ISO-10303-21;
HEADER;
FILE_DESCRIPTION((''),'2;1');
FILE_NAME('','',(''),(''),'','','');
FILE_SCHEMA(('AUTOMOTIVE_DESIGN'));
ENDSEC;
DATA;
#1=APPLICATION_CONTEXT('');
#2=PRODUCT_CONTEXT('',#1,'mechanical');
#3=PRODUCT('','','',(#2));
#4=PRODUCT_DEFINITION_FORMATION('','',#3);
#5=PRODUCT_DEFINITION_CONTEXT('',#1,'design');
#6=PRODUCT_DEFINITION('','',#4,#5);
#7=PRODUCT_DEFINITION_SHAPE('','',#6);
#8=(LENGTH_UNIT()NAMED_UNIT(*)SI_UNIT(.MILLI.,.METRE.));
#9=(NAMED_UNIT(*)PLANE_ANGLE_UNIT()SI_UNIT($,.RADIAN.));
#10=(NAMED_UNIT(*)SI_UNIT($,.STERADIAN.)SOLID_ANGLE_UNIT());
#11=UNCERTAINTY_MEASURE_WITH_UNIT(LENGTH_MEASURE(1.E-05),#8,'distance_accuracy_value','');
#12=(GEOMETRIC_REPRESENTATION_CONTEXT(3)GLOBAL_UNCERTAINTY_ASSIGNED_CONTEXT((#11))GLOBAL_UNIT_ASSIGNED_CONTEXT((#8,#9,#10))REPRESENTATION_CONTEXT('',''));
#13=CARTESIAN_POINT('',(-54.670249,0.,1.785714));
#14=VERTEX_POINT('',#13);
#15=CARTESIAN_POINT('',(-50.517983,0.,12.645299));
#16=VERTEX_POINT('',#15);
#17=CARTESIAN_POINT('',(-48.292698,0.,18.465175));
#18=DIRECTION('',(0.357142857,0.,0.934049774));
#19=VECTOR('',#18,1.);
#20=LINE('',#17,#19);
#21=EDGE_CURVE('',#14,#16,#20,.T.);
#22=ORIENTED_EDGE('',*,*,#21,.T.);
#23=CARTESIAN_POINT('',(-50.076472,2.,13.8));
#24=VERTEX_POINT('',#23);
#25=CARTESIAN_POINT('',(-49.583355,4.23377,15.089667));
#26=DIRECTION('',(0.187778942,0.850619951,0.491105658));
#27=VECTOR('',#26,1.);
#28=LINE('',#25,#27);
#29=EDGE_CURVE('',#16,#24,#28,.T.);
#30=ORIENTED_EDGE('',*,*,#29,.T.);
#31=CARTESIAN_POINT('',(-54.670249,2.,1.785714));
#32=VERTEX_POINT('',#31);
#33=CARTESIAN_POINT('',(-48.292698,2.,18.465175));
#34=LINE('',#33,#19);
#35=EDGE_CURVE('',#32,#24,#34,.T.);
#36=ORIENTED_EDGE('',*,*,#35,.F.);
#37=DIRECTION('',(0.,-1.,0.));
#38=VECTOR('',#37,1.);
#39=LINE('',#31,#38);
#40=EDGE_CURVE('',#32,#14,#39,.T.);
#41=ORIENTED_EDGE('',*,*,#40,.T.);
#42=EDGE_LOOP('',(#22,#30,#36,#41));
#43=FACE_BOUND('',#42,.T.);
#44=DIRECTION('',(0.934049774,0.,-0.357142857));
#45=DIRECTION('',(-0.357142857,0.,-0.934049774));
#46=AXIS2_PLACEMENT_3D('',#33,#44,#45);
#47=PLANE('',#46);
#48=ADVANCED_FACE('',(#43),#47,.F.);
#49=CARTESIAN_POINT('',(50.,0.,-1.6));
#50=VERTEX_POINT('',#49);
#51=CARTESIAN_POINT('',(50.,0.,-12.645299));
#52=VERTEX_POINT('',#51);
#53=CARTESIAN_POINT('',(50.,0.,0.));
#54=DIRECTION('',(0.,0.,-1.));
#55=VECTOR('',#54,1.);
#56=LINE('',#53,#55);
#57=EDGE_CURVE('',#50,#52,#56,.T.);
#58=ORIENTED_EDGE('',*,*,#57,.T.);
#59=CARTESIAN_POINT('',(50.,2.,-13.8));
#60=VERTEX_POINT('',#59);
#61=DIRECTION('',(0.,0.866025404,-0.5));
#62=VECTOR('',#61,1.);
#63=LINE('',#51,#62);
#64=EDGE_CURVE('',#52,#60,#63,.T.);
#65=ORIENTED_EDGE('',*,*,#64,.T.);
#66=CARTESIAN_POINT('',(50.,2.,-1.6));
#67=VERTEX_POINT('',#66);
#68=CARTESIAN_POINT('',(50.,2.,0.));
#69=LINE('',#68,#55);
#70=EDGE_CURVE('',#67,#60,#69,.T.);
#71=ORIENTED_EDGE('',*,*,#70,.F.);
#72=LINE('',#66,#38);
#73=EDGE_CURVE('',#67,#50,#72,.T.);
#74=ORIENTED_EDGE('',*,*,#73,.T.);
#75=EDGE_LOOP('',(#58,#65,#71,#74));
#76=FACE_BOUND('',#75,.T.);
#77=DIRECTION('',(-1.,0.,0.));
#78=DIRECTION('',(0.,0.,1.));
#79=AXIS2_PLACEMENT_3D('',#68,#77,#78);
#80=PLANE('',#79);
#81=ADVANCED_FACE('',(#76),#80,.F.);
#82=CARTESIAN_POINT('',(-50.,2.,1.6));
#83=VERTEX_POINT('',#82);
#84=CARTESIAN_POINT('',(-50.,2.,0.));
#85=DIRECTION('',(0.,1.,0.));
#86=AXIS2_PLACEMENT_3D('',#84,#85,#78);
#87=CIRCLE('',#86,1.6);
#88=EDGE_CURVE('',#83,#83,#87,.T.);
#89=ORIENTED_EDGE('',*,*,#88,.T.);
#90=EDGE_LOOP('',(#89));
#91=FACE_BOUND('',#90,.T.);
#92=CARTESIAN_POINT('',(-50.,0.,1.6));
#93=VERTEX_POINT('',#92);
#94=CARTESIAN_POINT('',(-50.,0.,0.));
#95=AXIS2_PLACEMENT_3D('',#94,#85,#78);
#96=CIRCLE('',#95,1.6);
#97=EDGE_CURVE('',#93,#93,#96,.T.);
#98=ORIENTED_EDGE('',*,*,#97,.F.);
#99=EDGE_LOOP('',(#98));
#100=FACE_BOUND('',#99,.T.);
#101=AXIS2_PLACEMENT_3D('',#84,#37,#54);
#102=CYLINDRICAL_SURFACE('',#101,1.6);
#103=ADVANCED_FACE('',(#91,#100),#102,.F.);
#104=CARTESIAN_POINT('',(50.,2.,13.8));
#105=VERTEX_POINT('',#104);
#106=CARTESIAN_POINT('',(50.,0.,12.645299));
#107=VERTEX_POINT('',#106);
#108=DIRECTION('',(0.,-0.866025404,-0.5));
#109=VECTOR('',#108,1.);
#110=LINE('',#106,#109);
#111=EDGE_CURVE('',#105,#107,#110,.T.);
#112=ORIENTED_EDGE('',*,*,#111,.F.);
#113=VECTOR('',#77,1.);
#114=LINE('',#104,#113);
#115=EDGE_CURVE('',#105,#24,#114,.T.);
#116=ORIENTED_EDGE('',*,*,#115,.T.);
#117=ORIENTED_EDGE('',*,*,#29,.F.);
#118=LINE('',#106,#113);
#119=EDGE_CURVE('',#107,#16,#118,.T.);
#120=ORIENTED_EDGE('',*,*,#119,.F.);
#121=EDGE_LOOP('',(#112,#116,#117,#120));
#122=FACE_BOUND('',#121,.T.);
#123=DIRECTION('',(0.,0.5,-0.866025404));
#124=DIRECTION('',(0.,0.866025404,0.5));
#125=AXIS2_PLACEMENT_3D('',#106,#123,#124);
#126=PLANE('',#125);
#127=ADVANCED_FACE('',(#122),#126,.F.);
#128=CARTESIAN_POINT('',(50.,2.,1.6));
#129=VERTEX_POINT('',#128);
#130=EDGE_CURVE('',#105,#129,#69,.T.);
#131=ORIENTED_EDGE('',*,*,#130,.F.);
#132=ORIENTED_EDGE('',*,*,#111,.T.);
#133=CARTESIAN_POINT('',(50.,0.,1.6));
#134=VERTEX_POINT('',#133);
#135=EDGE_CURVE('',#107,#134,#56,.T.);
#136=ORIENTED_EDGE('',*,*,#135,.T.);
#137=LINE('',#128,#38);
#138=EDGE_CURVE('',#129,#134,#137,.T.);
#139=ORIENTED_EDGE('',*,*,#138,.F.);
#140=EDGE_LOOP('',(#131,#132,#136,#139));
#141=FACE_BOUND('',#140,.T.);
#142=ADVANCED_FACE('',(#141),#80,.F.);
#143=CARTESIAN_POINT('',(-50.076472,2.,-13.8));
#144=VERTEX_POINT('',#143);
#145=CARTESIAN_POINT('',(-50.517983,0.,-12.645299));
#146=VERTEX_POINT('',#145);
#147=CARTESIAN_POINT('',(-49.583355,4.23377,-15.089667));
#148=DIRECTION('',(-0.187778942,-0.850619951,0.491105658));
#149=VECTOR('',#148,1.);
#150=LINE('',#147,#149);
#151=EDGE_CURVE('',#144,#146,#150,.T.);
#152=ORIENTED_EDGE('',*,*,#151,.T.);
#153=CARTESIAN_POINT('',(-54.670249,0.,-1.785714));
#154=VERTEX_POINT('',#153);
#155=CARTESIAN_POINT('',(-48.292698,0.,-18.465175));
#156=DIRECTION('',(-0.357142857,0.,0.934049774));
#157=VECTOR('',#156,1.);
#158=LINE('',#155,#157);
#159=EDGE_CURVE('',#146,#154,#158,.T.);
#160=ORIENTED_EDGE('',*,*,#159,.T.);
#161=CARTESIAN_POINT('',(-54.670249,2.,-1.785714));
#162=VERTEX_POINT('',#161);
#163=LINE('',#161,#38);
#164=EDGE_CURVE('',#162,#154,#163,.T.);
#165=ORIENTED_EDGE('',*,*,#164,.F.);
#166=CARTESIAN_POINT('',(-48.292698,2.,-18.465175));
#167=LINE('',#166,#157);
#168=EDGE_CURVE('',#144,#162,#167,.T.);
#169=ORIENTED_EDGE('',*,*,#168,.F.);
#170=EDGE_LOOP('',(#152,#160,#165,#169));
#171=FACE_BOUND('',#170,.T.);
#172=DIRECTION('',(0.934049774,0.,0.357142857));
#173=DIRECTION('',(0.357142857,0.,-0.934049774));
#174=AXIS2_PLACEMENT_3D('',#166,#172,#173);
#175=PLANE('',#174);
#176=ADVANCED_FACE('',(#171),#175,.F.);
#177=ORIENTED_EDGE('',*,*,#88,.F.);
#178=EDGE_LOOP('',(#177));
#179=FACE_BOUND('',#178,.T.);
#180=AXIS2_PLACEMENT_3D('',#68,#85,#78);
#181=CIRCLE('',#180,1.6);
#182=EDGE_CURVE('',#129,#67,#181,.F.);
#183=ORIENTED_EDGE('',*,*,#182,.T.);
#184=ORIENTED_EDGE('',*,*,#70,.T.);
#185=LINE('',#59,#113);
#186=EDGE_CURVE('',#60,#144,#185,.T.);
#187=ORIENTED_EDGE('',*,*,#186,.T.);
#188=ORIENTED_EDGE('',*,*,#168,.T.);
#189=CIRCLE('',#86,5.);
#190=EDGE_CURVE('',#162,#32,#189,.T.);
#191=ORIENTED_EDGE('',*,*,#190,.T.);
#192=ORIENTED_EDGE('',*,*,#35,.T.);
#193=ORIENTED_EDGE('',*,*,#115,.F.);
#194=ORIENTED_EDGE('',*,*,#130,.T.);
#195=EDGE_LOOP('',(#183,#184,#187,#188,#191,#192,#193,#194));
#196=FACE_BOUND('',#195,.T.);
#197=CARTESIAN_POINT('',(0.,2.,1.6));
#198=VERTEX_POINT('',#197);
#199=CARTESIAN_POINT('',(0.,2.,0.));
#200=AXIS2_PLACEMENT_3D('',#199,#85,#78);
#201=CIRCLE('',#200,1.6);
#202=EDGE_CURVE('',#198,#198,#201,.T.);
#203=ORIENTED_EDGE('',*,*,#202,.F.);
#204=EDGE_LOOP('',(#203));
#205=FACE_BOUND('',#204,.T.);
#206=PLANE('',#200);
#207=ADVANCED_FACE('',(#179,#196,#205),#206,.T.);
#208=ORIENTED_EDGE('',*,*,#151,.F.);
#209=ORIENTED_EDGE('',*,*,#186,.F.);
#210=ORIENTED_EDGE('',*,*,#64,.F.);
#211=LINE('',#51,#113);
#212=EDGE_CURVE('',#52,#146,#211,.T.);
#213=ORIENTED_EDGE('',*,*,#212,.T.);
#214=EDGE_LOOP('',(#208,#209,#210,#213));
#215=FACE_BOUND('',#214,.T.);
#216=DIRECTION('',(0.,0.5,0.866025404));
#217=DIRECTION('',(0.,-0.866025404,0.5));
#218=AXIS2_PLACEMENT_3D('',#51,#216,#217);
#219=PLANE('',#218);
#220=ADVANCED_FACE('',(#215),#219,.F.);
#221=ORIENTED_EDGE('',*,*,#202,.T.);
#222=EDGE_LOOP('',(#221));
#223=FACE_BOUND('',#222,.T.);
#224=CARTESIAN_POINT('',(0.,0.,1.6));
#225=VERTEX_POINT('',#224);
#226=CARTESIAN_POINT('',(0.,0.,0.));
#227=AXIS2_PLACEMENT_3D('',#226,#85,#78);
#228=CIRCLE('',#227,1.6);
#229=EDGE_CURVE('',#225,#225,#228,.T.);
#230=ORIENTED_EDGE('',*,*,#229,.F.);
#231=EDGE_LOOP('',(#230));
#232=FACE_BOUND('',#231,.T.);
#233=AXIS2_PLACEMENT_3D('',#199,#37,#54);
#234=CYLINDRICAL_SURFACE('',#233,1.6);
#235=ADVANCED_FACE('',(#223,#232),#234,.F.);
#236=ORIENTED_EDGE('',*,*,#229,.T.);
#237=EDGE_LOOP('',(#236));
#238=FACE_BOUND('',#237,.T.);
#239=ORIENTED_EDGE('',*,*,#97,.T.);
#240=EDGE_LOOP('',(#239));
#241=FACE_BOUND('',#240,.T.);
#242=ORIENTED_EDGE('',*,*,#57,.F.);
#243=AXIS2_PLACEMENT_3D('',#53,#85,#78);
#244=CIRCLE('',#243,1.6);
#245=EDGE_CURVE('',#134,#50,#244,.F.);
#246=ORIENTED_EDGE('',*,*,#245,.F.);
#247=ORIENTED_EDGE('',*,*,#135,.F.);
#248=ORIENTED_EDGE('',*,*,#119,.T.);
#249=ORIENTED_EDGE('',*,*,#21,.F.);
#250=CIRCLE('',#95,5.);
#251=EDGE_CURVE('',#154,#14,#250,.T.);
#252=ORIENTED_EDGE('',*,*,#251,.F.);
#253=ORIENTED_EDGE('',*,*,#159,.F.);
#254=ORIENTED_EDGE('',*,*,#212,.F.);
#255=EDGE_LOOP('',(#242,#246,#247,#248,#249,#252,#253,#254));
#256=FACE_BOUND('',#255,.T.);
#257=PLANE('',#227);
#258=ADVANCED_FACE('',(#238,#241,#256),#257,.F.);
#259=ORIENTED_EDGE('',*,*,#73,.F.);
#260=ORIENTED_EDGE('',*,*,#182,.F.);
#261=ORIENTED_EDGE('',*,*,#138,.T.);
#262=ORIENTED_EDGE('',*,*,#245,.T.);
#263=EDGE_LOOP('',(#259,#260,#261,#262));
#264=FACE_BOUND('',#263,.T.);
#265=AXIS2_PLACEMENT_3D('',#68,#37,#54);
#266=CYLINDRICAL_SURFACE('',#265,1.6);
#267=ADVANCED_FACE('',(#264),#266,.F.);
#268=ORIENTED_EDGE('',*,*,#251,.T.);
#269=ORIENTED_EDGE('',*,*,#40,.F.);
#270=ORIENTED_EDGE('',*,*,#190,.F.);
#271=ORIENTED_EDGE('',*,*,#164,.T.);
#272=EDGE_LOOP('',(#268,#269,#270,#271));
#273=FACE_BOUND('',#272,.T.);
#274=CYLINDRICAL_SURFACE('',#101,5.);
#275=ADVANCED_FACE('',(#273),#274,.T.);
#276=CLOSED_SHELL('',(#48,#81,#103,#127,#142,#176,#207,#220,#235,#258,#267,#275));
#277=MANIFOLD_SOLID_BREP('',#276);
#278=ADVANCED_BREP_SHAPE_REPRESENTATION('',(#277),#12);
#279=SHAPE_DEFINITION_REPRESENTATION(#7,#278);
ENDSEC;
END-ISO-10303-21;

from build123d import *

# Parameters (mm, degrees)
SKETCH_1_R          = 1.6
EXTRUDE_1_DEPTH     = 2
CUT_EXTRUDE_1_DEPTH = 106.948100502


with BuildPart() as part:
    # Эскиз1 → Бобышка-Вытянуть1 (new body)
    with BuildSketch(Plane(origin=(0, 0, 0), x_dir=(1, 0, 0), z_dir=(0, 1, 0))):
        with BuildLine():
            Line((50, -14), (50, -1.6))
            ThreePointArc((50, -1.6), (48.4, 0), (50, 1.6))
            Line((50, 1.6), (50, 14))
            Line((50, 14), (-50, 14))
            Line((-50, 14), (-54.670248868, 1.785714286))
            ThreePointArc((-54.670248868, 1.785714286), (-55, 0), (-54.670248868, -1.785714286))
            Line((-54.670248868, -1.785714286), (-50, -14))
            Line((-50, -14), (50, -14))
        make_face()
        with Locations(Location((-50, 0, 0), (0, 0, 270))):
            Circle(SKETCH_1_R, mode=Mode.SUBTRACT)
        with Locations(Location((0, 0, 0), (0, 0, 270))):
            Circle(SKETCH_1_R, mode=Mode.SUBTRACT)
    extrude(amount=EXTRUDE_1_DEPTH)

    # Эскиз2 → Вырез-Вытянуть1 (cut, through all)
    with BuildSketch(Plane.ZY.offset(55)):
        Polygon((-14, 0), (-12.645299462, 0), (-13.8, 2), (-14, 2), align=None)
        Polygon((14, 2), (14, 0), (12.645299462, 0), (13.8, 2), align=None)
    extrude(amount=-CUT_EXTRUDE_1_DEPTH, mode=Mode.SUBTRACT)


solid = part.part
